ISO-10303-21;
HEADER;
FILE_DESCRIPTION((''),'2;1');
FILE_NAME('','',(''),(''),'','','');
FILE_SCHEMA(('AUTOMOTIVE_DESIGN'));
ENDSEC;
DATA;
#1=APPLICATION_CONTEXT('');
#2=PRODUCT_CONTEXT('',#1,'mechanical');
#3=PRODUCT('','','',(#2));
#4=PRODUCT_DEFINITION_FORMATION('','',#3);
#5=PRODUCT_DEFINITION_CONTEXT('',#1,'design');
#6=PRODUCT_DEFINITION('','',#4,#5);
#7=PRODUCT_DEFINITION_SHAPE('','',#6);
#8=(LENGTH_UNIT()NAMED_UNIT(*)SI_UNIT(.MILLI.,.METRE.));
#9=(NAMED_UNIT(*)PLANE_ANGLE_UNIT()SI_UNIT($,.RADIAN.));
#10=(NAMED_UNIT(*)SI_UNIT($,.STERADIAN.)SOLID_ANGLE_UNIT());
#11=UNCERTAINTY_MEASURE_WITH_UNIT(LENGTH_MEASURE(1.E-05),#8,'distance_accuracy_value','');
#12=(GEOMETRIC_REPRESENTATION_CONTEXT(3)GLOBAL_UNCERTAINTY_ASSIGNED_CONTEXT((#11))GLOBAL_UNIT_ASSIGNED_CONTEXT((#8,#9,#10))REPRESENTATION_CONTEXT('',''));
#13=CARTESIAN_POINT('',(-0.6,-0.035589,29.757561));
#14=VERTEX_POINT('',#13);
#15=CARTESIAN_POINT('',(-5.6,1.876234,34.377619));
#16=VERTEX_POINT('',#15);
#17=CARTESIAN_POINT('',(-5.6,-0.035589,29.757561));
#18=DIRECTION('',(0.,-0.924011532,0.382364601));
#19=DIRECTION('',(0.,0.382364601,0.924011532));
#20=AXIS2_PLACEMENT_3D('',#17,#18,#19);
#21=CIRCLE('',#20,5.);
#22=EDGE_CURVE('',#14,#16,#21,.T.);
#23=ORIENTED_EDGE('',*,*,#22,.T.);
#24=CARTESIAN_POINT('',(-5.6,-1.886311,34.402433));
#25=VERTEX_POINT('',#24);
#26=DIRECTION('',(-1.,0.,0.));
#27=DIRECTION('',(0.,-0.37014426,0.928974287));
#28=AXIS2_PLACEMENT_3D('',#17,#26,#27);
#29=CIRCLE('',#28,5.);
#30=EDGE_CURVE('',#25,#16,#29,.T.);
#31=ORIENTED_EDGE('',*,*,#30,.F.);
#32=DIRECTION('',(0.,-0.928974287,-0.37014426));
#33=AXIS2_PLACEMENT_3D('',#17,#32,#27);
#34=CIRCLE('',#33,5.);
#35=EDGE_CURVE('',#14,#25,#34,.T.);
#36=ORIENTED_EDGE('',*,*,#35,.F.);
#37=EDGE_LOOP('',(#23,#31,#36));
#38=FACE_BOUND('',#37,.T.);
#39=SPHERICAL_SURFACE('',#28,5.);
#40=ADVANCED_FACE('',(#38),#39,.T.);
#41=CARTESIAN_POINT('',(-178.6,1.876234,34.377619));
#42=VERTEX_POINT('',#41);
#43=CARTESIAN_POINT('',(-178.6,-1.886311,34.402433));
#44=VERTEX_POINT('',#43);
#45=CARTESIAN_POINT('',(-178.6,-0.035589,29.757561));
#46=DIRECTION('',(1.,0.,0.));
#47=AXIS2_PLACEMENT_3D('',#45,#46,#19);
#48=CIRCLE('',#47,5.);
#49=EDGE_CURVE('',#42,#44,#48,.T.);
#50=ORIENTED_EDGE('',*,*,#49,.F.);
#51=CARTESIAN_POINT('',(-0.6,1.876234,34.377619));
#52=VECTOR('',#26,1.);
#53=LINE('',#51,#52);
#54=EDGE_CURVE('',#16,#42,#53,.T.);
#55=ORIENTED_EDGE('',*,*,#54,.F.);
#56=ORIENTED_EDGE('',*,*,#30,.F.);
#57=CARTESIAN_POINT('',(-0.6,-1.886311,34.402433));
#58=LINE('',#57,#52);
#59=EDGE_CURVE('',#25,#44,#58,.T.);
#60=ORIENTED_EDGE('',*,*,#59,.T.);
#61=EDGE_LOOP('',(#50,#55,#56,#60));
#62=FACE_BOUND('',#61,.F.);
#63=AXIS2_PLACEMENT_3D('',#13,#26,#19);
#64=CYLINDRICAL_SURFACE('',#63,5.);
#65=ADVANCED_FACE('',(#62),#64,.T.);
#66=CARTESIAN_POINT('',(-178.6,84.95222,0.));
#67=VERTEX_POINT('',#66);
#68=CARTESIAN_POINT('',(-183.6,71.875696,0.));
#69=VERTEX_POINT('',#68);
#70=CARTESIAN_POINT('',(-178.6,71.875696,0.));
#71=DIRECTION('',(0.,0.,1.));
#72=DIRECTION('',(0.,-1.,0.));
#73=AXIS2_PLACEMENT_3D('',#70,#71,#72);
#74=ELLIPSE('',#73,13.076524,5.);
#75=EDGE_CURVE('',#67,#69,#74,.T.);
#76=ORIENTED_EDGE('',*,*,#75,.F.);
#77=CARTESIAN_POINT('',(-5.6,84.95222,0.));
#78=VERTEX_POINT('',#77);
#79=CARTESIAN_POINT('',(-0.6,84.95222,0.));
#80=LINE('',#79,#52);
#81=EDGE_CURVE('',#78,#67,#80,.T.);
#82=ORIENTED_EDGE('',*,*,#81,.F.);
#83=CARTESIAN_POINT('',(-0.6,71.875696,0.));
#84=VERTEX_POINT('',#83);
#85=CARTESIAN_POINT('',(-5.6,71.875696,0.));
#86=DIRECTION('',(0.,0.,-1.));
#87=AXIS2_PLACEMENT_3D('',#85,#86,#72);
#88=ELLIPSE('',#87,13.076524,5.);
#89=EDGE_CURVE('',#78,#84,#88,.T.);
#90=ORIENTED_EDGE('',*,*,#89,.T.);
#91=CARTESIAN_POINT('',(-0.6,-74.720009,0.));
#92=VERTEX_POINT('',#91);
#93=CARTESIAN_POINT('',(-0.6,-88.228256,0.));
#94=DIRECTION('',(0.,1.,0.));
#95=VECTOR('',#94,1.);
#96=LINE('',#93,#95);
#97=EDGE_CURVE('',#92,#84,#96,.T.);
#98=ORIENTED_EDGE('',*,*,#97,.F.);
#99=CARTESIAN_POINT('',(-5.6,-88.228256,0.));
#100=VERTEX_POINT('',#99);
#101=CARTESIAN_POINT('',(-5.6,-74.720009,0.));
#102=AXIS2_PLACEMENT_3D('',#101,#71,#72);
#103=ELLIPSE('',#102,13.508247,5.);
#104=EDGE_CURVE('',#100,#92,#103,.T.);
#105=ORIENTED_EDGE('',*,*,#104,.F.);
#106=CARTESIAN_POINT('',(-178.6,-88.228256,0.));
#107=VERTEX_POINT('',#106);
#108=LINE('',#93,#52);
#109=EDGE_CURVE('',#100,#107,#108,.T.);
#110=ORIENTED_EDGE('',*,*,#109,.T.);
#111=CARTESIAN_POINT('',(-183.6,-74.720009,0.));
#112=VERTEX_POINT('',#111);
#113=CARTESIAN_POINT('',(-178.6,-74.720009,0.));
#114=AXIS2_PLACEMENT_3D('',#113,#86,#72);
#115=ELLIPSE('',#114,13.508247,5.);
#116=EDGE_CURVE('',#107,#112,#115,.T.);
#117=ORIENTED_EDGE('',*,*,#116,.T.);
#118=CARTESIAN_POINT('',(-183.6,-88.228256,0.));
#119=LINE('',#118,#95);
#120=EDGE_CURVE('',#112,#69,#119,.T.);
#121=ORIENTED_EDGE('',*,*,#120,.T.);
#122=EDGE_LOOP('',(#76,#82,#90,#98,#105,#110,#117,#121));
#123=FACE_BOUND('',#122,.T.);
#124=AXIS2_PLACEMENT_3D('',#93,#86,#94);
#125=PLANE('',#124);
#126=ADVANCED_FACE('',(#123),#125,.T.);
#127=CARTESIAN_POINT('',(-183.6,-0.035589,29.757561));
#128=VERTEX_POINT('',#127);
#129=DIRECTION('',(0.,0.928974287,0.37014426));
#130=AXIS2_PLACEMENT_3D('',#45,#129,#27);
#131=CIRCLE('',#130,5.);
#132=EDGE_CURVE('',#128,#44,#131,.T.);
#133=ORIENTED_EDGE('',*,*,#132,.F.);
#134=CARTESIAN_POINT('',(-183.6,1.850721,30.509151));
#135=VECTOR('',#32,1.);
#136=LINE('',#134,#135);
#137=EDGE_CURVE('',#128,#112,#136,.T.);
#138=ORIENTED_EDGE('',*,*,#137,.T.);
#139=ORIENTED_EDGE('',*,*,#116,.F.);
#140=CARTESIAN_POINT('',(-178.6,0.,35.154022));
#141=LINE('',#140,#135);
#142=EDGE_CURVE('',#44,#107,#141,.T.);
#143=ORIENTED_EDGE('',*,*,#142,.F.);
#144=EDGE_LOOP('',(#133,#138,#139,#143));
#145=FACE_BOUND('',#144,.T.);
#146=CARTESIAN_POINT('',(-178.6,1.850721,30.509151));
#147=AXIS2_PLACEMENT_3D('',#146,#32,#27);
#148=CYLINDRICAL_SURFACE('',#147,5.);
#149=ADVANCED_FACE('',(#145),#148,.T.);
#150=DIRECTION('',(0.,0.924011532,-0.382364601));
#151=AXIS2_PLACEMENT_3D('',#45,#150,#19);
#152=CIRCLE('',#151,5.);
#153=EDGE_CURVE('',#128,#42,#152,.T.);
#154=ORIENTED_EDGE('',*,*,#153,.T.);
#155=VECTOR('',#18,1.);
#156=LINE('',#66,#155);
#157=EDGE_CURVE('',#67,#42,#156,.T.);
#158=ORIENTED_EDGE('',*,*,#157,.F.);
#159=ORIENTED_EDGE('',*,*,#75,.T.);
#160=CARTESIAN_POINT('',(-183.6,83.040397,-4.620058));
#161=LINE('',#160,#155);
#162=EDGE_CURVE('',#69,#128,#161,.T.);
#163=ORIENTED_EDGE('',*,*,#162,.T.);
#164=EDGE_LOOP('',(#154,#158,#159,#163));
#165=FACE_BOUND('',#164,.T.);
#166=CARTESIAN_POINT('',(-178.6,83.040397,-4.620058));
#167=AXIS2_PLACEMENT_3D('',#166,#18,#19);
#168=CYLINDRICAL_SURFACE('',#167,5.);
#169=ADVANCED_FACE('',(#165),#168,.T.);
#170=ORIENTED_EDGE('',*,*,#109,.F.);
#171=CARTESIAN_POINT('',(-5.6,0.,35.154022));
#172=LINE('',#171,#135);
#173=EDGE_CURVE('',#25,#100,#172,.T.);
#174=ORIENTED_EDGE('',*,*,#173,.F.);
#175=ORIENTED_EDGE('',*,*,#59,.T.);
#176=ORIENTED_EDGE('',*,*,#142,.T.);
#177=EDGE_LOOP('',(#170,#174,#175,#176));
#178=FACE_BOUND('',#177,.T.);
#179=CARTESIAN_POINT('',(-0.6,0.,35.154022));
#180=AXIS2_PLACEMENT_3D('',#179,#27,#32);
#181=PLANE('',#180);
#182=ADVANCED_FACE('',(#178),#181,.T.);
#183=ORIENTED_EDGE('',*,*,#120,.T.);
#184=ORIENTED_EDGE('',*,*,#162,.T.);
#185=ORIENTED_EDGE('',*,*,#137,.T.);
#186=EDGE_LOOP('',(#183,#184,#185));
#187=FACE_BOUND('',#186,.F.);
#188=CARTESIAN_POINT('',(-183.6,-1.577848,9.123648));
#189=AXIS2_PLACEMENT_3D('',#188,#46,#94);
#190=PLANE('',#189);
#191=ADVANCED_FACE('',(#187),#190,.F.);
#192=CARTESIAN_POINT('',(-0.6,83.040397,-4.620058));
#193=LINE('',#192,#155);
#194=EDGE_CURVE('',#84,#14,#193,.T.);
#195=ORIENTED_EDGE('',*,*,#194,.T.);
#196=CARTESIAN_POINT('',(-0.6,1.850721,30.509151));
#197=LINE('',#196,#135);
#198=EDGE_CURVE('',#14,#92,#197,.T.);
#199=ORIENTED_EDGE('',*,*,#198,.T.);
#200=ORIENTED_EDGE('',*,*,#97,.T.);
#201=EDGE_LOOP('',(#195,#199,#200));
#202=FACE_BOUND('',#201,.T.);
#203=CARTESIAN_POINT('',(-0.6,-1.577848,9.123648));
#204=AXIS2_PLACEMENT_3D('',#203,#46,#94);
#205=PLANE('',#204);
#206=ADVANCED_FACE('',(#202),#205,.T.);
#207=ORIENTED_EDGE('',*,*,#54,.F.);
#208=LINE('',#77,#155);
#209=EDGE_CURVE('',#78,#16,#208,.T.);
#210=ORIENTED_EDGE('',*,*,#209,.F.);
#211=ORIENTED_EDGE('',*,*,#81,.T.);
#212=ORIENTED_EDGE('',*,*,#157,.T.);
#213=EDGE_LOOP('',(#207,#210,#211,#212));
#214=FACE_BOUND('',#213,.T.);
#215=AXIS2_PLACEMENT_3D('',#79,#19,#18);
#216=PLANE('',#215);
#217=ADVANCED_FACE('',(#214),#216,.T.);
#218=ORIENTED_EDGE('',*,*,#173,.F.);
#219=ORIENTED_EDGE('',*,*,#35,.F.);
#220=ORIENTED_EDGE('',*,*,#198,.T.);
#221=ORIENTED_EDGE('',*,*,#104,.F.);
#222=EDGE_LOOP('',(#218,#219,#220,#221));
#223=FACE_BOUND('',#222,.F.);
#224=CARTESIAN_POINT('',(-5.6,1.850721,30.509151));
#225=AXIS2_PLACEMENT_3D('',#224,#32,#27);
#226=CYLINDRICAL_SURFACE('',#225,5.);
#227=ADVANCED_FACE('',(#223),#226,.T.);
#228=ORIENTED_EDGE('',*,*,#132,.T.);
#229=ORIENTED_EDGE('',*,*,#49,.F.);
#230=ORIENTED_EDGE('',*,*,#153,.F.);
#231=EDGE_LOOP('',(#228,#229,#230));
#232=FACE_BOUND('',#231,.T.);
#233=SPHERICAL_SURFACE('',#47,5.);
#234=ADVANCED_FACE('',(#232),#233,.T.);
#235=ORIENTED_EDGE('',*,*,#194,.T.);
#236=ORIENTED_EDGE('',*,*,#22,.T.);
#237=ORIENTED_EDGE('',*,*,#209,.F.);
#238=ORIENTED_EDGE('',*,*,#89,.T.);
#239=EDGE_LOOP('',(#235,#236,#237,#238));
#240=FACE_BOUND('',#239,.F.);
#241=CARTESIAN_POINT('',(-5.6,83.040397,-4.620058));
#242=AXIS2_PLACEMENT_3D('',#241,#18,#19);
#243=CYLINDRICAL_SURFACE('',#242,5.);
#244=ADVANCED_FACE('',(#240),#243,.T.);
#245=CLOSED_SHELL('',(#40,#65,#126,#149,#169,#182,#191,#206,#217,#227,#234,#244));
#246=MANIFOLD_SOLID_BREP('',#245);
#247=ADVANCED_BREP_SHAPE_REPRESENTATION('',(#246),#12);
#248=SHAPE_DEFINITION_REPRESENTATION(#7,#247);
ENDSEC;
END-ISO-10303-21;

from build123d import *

# Parameters (mm, degrees)
F3_DEPTH = 183
F4_R     = 5


with BuildPart() as f3:
    # F2 (on offset) → F3 (new body)
    with BuildSketch(Plane.YZ.offset(-0.6)):
        Polygon((-88.228256, 0), (84.95222, 0), (0, 35.154022), align=None)
    extrude(amount=-F3_DEPTH)

    # F4
    f4_edges = [f3.edges().sort_by_distance(p)[0] for p in [
        (-0.6, -44.114128, 17.577011),
        (-183.6, -44.114128, 17.577011),
        (-0.6, 42.47611, 17.577011),
        (-92.1, 0, 35.154022),
        (-183.6, 42.47611, 17.577011),
    ]]
    fillet(f4_edges, radius=F4_R)


solid = f3.part
